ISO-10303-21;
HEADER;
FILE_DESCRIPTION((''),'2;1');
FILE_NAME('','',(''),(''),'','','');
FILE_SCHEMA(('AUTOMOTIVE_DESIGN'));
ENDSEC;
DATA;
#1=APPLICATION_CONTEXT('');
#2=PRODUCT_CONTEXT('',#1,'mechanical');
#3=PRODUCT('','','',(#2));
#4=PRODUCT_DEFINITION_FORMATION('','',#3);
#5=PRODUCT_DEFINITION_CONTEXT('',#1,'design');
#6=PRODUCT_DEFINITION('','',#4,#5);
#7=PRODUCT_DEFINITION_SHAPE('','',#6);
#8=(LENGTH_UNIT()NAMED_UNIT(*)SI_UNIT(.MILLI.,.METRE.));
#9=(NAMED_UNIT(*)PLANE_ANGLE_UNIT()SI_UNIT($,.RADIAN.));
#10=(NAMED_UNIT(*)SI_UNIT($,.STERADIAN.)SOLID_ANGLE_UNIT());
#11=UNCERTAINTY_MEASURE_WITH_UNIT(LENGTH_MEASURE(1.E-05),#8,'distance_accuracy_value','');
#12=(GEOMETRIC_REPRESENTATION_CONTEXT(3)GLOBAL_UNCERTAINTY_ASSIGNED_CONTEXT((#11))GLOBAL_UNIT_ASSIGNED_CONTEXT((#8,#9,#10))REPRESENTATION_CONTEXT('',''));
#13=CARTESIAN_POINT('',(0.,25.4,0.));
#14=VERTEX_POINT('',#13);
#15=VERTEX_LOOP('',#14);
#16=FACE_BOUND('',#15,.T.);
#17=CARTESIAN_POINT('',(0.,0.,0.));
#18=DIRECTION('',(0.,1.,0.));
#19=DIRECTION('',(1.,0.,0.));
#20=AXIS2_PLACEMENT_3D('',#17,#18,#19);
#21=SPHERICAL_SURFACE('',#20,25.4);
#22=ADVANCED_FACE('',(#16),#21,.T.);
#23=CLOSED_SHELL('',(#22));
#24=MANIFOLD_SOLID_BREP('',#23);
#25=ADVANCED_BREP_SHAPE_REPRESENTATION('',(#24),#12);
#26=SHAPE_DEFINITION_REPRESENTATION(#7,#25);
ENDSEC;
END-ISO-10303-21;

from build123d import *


with BuildPart() as part:
    # Sketch1 → Revolve1 (revolve)
    with BuildSketch(Plane.XY):
        with BuildLine():
            Line((0, 25.4), (0, -25.4))
            ThreePointArc((0, -25.4), (25.4, 0), (0, 25.4))
        make_face()
    revolve(axis=Axis((0, 25.4, 0), (0, -1, 0)))


solid = part.part
